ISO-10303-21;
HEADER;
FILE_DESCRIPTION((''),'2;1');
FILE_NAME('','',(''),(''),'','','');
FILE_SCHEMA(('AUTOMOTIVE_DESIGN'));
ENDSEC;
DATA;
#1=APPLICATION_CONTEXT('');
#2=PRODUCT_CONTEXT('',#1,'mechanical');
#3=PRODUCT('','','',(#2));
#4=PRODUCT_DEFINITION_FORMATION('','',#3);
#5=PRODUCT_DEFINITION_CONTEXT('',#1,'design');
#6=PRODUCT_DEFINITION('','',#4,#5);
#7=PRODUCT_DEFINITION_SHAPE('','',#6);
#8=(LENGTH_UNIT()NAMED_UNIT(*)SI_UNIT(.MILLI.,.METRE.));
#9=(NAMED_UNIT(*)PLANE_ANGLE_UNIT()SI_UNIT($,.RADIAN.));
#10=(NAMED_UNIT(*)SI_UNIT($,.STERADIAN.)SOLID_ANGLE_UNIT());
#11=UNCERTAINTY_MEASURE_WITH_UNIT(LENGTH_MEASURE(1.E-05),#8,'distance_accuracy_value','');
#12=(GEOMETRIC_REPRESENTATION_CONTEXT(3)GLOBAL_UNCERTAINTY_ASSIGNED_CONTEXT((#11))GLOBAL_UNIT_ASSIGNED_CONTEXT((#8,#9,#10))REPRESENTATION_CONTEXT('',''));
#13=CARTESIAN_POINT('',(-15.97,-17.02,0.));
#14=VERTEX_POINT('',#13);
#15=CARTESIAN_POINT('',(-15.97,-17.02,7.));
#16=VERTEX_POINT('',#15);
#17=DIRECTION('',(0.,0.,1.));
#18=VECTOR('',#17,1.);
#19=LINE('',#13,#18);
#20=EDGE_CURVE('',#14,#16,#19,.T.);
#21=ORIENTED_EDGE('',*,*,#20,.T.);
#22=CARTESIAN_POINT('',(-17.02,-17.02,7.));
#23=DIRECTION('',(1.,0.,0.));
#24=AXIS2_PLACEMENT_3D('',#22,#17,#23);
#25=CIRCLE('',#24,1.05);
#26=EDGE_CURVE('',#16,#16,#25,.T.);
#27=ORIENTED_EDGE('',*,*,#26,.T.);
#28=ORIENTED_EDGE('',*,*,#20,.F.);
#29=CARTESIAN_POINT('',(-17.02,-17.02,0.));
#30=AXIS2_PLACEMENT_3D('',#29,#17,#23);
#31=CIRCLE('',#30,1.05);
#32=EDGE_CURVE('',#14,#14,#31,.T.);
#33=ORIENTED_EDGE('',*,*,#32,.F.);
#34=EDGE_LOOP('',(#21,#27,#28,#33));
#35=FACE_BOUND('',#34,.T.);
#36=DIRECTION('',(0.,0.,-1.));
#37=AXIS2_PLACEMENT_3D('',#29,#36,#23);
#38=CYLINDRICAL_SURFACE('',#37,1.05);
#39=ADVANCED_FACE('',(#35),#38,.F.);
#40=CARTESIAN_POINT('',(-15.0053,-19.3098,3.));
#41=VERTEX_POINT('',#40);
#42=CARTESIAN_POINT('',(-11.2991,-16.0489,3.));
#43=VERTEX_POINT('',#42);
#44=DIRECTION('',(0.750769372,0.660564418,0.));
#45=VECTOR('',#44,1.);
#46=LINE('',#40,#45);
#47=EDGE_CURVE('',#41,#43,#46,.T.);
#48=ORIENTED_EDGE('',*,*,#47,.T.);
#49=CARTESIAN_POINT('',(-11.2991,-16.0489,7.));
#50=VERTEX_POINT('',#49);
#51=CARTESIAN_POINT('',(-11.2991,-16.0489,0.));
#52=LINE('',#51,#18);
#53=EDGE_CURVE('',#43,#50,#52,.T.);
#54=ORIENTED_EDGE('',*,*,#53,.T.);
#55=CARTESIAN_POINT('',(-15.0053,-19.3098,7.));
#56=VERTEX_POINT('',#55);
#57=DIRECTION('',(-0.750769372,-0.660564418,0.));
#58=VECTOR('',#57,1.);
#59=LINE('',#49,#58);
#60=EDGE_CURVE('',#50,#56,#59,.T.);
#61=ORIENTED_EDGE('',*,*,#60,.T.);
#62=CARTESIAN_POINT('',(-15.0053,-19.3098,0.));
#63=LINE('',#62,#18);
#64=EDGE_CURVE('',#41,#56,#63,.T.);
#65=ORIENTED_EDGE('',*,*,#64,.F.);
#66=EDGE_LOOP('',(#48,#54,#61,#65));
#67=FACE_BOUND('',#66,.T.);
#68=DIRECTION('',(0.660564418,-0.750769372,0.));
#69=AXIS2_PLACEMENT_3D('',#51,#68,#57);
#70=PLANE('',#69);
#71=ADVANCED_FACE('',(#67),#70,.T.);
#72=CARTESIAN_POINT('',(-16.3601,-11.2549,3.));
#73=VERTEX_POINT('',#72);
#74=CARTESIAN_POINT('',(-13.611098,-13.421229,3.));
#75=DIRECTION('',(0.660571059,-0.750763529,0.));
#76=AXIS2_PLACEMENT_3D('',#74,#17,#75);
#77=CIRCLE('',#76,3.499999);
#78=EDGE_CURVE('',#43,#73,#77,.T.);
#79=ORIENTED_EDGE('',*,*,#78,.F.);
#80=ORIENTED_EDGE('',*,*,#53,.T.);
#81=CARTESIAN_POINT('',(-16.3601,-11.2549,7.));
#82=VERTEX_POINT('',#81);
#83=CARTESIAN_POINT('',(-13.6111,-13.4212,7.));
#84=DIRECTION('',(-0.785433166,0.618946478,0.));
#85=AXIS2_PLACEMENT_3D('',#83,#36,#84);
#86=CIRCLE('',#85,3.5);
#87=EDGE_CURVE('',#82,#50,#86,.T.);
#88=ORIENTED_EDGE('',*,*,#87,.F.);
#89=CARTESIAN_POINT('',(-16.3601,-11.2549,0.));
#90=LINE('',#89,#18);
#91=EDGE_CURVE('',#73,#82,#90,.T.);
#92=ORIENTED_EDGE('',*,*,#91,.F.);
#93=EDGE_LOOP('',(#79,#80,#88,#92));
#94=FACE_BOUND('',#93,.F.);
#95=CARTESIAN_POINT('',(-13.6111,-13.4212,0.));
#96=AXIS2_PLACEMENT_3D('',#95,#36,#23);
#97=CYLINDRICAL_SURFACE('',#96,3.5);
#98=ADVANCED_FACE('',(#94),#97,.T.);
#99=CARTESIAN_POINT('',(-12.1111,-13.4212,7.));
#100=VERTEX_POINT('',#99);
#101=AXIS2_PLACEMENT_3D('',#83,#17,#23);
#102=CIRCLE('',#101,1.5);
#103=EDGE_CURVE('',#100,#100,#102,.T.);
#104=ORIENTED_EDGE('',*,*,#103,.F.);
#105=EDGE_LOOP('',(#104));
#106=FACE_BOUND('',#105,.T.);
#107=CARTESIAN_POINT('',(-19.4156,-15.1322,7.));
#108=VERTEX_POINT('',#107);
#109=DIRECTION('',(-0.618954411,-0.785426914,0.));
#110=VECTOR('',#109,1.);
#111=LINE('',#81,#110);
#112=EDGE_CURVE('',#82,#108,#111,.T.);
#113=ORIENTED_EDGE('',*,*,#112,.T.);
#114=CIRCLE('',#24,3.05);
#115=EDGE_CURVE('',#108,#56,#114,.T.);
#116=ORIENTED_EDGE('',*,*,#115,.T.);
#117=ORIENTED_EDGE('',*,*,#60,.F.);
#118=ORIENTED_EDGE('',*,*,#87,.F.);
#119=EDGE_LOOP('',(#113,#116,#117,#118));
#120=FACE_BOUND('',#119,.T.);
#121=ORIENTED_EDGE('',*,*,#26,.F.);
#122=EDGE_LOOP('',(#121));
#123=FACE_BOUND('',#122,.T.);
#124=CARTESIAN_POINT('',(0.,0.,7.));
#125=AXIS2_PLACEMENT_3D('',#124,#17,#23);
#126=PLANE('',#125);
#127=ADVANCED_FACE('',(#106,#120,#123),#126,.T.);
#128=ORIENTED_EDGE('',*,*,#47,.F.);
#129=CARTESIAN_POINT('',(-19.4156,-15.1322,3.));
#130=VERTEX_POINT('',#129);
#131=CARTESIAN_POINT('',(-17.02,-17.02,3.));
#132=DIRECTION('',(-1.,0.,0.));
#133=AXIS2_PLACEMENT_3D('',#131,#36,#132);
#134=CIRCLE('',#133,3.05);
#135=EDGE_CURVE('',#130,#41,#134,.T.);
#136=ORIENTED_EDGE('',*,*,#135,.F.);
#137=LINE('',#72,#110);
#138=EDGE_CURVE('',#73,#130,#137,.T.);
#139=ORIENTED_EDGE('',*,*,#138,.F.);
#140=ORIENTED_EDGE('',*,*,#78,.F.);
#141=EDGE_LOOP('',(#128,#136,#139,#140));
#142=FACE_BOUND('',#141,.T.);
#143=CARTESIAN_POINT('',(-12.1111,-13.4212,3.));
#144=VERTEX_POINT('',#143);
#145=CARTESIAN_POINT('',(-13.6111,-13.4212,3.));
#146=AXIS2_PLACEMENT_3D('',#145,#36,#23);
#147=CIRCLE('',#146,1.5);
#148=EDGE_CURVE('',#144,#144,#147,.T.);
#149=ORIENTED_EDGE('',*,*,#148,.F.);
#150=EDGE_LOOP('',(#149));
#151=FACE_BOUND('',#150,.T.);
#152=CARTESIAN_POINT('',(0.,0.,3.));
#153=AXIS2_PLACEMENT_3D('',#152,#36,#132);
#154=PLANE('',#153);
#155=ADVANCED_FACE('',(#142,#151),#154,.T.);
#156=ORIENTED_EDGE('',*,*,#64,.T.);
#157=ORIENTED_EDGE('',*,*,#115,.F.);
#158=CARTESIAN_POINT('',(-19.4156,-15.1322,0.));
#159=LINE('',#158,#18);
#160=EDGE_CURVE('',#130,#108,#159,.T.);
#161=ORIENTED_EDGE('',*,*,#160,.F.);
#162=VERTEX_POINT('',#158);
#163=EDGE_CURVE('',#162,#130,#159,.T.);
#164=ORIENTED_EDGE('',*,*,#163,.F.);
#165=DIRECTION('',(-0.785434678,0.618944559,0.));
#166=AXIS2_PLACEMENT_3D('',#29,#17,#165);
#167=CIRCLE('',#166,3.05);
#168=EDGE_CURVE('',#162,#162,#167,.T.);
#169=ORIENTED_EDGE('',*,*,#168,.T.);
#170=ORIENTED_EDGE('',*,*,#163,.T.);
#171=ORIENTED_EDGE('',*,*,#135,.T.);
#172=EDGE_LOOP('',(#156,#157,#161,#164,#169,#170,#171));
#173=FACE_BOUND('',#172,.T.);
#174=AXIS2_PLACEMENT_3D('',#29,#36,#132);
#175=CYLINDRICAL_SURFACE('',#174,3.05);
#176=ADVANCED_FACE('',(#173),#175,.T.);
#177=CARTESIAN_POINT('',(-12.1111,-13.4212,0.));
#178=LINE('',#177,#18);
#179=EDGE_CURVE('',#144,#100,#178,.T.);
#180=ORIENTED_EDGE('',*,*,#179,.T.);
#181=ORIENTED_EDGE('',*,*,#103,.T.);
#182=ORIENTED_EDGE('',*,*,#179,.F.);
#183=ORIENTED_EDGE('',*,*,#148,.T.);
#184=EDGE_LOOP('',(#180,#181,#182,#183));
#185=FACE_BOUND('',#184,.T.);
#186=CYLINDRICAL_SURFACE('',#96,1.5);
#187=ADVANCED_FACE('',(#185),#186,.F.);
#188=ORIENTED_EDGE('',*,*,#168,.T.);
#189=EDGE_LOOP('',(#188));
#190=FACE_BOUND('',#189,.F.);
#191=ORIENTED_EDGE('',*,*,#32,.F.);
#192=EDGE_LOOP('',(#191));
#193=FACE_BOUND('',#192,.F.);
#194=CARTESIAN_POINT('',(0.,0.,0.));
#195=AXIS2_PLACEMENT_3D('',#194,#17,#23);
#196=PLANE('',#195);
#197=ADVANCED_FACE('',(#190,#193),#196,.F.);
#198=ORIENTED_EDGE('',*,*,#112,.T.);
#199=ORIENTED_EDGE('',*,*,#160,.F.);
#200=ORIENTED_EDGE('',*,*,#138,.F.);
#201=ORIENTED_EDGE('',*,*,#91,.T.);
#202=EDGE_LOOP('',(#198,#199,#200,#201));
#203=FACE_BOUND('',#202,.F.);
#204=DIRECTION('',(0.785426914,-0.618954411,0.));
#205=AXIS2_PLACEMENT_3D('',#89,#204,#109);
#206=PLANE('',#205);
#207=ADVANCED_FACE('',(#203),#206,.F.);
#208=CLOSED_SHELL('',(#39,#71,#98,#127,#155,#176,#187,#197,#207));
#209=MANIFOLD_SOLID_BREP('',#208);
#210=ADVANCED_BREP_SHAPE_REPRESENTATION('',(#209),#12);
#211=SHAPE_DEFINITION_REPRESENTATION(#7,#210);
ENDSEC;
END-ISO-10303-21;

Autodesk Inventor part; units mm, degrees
ref_plane "YZ Plane" through (0, 0, 0) normal (1, 0, 0) x (0, 1, 0)
ref_plane "XZ Plane" through (0, 0, 0) normal (0, 1, 0) x (-1, 0, 0)
sketch "Base" plane through (0, 0, 0) normal (0, 0, 1) x (1, 0, 0)
  circle A0 centre (-17.02, -17.02) radius 1.05 projected
  arc A1 (-12.5579, -14.4893) -> (-14.6643, -12.3531) centre (-13.6111, -13.4212) ccw construction
  line L0 (-13.6111, -13.4212) -> (-17.02, -17.02) construction
  circle A2 centre (-13.6111, -13.4212) radius 1.5
  circle A3 centre (-13.6111, -13.4212) radius 3.5
  circle A4 centre (-17.02, -17.02) radius 3.05
  line L1 (-11.2991, -16.0489) -> (-15.0053, -19.3098)
  line L2 (-16.3601, -11.2549) -> (-19.4156, -15.1322)
  point P0 (0, 0)
  point P1 (-15.3155, -15.2206)
  dimension "d3" = 2
  dimension "d4" = 2
extrude "BaseFeature" add sketch "Base" along normal blind 7
ref_plane "RisePlane" through (0, 0, 3) normal (0, 0, 1) x (1, 0, 0)
sketch "RiseProfile" plane through (0, 0, 0) normal (0, 0, -1) x (-1, 0, 0)
  arc A0 (15.0053, -19.3098) -> (19.4156, -15.1322) centre (17.02, -17.02) ccw projected
  line L0 (16.3601, -11.2549) -> (19.4156, -15.1322) projected
  circle A1 centre (17.02, -17.02) radius 3.05
  line L1 (15.0053, -19.3098) -> (11.2991, -16.0489) projected
  arc A2 (16.3601, -11.2549) -> (11.2991, -16.0489) centre (13.6111, -13.4212) ccw projected
  point P0 (0, 0)
  point P1 (15.0053, -19.3098)
extrude "RiseFeature" cut sketch "RiseProfile" against normal up to surface (3 mm away) contours L1 A2 L0 A1
properties part number "IRLedMount"
